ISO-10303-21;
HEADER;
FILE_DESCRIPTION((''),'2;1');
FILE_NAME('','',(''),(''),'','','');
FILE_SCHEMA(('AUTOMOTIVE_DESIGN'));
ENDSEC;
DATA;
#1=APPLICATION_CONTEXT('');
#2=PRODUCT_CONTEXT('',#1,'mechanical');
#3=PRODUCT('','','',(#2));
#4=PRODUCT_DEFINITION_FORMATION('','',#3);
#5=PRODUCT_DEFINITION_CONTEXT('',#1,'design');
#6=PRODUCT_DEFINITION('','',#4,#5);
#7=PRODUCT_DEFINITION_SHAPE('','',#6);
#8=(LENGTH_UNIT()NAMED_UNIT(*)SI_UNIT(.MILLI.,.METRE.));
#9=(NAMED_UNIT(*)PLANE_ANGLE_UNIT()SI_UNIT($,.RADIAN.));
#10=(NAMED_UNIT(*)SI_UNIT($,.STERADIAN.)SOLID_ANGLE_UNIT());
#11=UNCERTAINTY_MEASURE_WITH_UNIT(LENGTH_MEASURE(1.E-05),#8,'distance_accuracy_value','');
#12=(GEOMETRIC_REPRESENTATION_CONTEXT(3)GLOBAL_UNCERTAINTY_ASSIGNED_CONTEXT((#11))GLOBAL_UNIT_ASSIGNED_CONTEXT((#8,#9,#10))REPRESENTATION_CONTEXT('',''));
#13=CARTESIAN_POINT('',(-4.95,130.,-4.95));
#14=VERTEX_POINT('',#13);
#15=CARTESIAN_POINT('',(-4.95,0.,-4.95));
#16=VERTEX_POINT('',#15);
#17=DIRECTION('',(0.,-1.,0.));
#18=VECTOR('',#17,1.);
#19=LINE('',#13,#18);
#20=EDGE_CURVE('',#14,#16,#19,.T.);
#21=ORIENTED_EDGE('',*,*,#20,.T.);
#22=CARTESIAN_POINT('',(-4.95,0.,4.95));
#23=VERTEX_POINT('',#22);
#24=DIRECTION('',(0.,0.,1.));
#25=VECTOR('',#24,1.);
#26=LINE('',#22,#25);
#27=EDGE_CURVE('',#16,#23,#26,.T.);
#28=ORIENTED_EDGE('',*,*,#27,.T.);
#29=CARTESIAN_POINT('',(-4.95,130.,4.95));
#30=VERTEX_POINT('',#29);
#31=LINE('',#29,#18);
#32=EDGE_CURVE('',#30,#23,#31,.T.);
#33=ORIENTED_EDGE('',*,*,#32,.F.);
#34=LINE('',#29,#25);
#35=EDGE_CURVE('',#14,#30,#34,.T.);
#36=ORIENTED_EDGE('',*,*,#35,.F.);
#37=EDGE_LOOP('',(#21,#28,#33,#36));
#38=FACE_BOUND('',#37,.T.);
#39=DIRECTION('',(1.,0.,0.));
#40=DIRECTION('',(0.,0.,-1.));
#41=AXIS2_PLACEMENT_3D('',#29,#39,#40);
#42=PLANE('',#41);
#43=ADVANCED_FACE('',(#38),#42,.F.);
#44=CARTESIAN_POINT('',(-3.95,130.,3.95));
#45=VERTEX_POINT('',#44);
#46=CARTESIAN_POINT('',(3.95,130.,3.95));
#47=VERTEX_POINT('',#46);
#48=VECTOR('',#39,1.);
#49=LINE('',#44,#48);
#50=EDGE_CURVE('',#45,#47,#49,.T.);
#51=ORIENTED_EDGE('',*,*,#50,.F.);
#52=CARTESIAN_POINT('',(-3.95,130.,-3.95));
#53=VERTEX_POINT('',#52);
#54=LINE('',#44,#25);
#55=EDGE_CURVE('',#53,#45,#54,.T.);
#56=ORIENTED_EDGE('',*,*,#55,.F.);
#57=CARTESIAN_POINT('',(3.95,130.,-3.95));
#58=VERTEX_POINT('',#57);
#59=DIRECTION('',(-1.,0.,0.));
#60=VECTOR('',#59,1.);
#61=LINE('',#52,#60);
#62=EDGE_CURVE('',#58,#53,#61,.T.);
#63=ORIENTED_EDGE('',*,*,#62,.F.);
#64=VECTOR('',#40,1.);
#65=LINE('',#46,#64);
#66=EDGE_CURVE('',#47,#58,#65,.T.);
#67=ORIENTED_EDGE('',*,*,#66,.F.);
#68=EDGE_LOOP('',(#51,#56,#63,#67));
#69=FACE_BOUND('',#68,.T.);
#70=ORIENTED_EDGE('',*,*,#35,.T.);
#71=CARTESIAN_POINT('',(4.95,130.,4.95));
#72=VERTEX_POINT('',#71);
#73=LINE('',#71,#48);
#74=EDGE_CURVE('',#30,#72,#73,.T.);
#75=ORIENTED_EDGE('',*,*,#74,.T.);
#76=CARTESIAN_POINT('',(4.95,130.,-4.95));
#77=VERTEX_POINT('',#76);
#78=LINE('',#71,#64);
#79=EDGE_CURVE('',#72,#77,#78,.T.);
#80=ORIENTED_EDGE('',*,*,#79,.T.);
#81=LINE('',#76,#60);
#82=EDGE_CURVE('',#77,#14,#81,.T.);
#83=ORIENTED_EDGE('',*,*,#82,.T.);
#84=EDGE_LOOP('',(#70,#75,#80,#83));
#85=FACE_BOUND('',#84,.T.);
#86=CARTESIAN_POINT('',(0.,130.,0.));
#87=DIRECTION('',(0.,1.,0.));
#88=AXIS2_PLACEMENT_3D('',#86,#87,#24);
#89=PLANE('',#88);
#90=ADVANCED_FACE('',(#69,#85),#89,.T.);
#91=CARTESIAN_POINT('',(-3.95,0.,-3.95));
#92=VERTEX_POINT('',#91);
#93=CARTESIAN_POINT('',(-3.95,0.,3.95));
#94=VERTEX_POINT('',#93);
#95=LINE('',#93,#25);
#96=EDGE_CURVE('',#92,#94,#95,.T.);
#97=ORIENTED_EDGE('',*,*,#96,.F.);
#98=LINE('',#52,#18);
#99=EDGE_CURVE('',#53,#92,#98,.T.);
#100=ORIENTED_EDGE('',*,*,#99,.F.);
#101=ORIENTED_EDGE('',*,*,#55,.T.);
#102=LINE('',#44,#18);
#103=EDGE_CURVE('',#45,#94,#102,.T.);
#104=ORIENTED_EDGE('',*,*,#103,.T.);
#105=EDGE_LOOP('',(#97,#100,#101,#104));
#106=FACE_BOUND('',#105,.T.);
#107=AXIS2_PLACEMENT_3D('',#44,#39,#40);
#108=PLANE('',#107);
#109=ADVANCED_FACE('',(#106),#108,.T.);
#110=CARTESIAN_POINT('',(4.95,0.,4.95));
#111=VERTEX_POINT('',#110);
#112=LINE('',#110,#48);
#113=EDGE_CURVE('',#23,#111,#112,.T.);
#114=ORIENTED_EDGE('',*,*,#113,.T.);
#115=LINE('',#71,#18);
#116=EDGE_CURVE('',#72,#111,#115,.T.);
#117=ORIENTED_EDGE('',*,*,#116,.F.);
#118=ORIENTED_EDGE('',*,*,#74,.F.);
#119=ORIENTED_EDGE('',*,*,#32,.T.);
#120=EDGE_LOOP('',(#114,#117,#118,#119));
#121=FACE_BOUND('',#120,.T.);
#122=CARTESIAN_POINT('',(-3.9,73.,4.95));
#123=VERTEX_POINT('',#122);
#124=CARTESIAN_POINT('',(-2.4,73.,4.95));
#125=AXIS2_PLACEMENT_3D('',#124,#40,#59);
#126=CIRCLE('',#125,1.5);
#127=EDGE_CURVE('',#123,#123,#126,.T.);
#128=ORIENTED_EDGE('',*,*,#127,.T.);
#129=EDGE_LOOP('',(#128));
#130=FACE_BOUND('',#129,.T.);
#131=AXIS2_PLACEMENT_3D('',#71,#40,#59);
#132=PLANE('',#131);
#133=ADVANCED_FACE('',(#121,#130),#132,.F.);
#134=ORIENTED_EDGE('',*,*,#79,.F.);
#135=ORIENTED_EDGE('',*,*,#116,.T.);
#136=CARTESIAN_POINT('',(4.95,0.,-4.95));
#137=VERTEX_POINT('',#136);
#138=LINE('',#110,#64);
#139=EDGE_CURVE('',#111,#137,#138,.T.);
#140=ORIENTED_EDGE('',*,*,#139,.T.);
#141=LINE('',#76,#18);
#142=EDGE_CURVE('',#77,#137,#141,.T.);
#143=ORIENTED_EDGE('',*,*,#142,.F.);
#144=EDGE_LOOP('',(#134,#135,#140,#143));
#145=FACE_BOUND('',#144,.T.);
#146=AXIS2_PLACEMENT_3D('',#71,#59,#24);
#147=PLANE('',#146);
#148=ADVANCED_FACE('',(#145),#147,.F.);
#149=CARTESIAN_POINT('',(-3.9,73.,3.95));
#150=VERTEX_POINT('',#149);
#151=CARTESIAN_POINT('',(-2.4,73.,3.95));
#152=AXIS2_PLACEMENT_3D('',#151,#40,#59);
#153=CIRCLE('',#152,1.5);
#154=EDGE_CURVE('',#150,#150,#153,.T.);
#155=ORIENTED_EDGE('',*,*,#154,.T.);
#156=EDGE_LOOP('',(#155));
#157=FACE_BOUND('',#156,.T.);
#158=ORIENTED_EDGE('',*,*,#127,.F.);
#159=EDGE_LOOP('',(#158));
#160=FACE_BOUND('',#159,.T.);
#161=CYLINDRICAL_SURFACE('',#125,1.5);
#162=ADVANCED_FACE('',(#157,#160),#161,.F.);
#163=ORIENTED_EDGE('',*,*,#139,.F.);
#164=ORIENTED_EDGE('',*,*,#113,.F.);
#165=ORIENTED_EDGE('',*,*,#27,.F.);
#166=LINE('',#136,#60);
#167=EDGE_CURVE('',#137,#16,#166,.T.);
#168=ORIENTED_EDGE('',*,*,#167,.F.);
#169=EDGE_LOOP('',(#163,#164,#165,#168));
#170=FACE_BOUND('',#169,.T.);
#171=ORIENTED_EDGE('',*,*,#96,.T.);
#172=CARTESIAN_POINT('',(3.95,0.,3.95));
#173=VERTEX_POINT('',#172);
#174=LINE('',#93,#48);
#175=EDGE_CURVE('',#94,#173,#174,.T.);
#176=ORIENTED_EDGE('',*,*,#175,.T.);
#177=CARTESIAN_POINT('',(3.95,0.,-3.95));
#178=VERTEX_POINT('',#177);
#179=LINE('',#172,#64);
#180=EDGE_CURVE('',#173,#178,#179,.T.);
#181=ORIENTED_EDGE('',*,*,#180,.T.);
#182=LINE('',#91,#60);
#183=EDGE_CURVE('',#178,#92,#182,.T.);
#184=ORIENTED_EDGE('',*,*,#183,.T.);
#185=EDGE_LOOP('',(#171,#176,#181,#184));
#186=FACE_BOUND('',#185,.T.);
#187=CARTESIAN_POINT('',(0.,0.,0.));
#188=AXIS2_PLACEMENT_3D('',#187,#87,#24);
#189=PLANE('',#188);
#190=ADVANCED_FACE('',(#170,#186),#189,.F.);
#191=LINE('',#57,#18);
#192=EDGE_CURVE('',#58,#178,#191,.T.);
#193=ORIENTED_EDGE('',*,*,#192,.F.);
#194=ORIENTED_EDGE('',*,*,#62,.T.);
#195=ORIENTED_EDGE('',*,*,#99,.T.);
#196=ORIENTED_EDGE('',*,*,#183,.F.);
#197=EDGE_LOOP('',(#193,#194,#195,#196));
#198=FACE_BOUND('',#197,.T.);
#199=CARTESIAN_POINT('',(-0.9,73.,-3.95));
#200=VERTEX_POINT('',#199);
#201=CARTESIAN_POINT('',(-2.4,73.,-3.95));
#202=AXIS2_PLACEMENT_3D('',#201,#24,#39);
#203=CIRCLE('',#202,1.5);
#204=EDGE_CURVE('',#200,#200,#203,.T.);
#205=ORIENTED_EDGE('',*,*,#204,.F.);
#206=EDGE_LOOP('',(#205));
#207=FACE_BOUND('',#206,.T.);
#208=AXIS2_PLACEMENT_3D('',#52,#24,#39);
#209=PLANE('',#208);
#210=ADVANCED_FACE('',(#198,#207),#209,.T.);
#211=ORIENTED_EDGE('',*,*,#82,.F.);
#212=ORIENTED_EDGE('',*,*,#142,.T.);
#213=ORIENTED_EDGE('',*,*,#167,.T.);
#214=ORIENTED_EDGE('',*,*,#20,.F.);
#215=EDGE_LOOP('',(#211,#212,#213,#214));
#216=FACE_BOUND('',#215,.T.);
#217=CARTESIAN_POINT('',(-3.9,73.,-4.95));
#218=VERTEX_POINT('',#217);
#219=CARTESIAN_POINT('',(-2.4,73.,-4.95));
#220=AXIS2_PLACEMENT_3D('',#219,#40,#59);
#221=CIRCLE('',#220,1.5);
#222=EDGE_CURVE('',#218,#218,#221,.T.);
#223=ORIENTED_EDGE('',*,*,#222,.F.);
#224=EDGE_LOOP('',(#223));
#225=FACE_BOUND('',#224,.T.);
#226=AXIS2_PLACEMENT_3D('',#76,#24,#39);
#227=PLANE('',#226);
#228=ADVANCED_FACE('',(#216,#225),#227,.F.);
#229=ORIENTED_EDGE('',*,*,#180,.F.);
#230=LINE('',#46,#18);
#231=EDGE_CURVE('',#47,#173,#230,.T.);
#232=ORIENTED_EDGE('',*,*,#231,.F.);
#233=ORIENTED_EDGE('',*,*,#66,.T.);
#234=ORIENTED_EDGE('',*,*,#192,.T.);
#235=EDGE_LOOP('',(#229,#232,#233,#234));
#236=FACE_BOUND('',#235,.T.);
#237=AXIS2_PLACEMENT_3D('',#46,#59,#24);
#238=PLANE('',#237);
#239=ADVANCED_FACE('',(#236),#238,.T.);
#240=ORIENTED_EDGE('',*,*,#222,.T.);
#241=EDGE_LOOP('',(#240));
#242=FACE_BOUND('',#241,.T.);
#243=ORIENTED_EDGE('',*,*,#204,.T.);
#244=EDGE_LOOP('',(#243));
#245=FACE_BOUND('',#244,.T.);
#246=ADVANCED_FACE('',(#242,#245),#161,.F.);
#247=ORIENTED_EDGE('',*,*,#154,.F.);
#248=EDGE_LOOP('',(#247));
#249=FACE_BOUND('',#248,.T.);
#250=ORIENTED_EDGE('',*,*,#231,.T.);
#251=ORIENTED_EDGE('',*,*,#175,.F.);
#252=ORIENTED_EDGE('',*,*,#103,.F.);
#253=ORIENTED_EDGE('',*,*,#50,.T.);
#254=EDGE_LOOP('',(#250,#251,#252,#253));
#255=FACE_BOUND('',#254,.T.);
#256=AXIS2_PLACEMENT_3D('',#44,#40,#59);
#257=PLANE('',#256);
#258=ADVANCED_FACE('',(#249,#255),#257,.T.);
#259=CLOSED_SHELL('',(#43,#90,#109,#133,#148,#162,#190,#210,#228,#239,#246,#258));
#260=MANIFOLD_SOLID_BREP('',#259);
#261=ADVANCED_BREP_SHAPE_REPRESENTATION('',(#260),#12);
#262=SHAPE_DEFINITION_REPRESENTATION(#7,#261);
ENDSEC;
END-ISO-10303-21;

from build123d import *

# Parameters (mm, degrees)
SKETCH_1_W         = 9.9
SKETCH_1_H         = 9.9
SKETCH_1_W_2       = 7.9
SKETCH_1_H_2       = 7.9
EXTRUDE_1_DEPTH    = 130
SKETCH2_R          = 1.5
CUT_EXTRUDE2_DEPTH = 10.9


with BuildPart() as part:
    # Эскиз1 → Бобышка-Вытянуть1 (new body)
    with BuildSketch(Plane(origin=(0, 0, 0), x_dir=(1, 0, 0), z_dir=(0, 1, 0))):
        Rectangle(SKETCH_1_W, SKETCH_1_H)
        Rectangle(SKETCH_1_W_2, SKETCH_1_H_2, mode=Mode.SUBTRACT)
    extrude(amount=EXTRUDE_1_DEPTH)

    # Sketch2 → Cut-Extrude2 (cut, through all)
    with BuildSketch(Plane(origin=(0, 0, -4.95), x_dir=(-1, 0, 0), z_dir=(0, 0, -1))):
        with Locations((2.4, 73)):
            Circle(SKETCH2_R)
    extrude(amount=-CUT_EXTRUDE2_DEPTH, mode=Mode.SUBTRACT)


solid = part.part
